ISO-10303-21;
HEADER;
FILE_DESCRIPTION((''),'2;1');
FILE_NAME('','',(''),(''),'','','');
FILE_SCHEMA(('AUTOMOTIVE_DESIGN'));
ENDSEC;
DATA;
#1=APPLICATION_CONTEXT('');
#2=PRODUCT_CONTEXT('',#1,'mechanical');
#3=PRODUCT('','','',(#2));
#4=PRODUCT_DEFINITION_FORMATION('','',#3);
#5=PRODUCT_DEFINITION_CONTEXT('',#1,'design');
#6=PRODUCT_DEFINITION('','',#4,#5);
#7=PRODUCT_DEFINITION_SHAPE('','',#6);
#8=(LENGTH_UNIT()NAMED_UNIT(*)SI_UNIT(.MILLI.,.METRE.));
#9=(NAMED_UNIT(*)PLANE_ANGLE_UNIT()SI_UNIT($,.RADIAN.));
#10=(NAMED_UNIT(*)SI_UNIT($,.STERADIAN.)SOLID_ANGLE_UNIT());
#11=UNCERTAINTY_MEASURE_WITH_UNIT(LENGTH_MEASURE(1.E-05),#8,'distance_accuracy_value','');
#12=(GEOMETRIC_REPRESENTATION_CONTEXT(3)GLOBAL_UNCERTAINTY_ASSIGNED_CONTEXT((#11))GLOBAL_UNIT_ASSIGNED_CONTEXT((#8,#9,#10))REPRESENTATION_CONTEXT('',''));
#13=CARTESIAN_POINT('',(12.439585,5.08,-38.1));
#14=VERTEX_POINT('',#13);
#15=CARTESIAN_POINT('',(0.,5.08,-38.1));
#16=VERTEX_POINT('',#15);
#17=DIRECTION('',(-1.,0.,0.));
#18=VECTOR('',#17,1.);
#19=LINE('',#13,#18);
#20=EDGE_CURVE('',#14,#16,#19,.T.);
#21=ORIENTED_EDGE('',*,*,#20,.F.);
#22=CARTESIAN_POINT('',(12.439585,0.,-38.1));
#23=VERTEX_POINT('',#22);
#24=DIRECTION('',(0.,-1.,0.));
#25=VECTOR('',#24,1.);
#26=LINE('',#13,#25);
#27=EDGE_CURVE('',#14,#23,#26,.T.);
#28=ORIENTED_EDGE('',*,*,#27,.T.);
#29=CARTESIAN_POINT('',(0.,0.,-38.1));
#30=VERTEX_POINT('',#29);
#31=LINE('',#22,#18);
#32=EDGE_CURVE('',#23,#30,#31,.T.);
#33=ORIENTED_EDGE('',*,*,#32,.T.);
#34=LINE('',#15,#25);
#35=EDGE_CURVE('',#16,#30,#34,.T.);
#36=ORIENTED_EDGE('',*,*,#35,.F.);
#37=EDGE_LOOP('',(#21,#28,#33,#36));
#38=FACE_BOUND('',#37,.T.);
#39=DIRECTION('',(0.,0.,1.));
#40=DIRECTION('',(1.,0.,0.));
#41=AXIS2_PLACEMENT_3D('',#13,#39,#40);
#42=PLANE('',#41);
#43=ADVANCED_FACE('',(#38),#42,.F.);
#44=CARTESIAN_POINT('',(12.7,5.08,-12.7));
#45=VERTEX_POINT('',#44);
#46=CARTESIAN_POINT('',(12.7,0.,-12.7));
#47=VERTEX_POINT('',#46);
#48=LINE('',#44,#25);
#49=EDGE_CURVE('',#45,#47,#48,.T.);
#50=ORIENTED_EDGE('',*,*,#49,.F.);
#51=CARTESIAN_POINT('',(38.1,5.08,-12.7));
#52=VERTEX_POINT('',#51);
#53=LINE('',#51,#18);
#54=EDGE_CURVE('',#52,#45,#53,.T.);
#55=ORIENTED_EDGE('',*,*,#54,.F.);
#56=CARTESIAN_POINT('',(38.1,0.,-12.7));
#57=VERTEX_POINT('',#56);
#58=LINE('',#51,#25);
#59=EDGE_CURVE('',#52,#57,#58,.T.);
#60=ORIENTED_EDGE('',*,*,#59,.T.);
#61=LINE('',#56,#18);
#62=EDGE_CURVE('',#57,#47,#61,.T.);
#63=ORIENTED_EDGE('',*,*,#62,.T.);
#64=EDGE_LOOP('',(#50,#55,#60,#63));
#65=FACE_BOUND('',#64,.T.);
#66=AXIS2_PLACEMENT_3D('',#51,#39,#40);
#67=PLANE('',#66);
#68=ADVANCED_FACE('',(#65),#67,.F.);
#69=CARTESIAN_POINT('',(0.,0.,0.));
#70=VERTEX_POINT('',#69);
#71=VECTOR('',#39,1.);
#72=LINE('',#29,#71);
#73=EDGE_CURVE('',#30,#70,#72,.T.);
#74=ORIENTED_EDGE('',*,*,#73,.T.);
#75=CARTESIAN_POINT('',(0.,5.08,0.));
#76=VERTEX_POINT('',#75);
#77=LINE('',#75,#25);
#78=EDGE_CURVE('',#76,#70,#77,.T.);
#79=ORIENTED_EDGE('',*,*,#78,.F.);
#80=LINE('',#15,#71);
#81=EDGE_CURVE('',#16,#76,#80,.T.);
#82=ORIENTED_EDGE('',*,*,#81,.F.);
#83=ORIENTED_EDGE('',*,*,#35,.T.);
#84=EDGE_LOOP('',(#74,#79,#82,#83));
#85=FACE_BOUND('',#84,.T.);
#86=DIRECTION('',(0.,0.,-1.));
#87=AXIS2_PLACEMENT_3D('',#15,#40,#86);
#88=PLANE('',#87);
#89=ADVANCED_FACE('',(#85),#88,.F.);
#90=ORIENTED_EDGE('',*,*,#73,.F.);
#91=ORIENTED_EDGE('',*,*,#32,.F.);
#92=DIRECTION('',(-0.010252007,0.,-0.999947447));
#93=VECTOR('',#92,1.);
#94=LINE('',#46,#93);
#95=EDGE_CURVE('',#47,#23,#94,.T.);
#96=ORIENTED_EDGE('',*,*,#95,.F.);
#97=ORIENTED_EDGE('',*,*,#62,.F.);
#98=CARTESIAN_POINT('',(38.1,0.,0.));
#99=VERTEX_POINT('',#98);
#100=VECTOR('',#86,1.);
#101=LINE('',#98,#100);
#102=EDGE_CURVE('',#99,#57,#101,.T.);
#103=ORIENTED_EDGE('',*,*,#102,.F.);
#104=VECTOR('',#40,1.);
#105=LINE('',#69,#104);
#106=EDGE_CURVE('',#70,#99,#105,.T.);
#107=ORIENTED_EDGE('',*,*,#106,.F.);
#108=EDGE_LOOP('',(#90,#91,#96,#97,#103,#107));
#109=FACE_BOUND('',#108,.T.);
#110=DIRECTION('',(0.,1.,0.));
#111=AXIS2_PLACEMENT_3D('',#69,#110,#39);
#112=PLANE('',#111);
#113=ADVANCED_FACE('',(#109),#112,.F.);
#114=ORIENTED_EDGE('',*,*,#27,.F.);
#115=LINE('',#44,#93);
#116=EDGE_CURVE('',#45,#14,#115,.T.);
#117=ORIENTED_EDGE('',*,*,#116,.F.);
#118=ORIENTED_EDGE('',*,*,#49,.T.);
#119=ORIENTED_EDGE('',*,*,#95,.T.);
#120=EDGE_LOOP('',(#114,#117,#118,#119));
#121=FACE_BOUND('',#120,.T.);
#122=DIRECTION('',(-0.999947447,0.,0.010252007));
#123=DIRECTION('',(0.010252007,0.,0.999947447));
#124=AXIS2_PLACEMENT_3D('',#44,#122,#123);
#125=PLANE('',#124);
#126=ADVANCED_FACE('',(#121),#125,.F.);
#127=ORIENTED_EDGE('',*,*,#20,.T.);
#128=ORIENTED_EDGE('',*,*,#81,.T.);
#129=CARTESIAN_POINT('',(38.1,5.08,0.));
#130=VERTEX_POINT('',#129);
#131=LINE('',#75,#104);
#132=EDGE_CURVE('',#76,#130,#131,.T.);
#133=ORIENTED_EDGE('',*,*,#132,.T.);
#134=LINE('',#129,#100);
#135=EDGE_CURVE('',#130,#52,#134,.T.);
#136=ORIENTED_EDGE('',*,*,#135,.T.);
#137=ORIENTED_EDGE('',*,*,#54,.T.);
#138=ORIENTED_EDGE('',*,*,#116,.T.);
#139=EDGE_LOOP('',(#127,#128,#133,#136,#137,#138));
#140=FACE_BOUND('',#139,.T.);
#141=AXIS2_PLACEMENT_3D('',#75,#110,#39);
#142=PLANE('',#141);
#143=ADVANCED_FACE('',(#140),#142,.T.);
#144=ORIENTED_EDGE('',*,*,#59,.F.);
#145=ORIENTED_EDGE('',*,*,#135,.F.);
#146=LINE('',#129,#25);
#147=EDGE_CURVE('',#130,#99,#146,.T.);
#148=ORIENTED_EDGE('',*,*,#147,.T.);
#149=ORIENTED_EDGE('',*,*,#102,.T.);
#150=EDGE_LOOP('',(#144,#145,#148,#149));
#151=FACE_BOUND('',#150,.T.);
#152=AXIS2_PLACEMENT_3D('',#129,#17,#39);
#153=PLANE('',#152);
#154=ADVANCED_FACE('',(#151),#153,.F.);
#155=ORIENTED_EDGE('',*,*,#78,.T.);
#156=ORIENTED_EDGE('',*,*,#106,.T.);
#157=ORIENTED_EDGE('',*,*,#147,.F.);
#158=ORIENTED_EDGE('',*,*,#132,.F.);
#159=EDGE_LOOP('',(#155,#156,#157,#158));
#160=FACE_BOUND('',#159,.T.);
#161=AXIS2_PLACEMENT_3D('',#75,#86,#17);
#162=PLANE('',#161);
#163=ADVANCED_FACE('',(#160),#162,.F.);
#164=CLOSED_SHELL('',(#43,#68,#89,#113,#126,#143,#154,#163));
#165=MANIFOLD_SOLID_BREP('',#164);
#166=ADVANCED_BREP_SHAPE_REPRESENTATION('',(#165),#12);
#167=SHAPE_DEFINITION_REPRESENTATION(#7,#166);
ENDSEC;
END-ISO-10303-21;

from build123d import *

# Parameters (mm, degrees)
BOSS_EXTRUDE1_DEPTH = 5.08


with BuildPart() as part:
    # Sketch1 → Boss-Extrude1 (new body)
    with BuildSketch(Plane(origin=(0, 0, 0), x_dir=(1, 0, 0), z_dir=(0, 1, 0))):
        Polygon((0, 0), (38.1, 0), (38.1, 12.7), (12.7, 12.7), (12.439585338, 38.1), (0, 38.1), align=None)
    extrude(amount=BOSS_EXTRUDE1_DEPTH)


solid = part.part
